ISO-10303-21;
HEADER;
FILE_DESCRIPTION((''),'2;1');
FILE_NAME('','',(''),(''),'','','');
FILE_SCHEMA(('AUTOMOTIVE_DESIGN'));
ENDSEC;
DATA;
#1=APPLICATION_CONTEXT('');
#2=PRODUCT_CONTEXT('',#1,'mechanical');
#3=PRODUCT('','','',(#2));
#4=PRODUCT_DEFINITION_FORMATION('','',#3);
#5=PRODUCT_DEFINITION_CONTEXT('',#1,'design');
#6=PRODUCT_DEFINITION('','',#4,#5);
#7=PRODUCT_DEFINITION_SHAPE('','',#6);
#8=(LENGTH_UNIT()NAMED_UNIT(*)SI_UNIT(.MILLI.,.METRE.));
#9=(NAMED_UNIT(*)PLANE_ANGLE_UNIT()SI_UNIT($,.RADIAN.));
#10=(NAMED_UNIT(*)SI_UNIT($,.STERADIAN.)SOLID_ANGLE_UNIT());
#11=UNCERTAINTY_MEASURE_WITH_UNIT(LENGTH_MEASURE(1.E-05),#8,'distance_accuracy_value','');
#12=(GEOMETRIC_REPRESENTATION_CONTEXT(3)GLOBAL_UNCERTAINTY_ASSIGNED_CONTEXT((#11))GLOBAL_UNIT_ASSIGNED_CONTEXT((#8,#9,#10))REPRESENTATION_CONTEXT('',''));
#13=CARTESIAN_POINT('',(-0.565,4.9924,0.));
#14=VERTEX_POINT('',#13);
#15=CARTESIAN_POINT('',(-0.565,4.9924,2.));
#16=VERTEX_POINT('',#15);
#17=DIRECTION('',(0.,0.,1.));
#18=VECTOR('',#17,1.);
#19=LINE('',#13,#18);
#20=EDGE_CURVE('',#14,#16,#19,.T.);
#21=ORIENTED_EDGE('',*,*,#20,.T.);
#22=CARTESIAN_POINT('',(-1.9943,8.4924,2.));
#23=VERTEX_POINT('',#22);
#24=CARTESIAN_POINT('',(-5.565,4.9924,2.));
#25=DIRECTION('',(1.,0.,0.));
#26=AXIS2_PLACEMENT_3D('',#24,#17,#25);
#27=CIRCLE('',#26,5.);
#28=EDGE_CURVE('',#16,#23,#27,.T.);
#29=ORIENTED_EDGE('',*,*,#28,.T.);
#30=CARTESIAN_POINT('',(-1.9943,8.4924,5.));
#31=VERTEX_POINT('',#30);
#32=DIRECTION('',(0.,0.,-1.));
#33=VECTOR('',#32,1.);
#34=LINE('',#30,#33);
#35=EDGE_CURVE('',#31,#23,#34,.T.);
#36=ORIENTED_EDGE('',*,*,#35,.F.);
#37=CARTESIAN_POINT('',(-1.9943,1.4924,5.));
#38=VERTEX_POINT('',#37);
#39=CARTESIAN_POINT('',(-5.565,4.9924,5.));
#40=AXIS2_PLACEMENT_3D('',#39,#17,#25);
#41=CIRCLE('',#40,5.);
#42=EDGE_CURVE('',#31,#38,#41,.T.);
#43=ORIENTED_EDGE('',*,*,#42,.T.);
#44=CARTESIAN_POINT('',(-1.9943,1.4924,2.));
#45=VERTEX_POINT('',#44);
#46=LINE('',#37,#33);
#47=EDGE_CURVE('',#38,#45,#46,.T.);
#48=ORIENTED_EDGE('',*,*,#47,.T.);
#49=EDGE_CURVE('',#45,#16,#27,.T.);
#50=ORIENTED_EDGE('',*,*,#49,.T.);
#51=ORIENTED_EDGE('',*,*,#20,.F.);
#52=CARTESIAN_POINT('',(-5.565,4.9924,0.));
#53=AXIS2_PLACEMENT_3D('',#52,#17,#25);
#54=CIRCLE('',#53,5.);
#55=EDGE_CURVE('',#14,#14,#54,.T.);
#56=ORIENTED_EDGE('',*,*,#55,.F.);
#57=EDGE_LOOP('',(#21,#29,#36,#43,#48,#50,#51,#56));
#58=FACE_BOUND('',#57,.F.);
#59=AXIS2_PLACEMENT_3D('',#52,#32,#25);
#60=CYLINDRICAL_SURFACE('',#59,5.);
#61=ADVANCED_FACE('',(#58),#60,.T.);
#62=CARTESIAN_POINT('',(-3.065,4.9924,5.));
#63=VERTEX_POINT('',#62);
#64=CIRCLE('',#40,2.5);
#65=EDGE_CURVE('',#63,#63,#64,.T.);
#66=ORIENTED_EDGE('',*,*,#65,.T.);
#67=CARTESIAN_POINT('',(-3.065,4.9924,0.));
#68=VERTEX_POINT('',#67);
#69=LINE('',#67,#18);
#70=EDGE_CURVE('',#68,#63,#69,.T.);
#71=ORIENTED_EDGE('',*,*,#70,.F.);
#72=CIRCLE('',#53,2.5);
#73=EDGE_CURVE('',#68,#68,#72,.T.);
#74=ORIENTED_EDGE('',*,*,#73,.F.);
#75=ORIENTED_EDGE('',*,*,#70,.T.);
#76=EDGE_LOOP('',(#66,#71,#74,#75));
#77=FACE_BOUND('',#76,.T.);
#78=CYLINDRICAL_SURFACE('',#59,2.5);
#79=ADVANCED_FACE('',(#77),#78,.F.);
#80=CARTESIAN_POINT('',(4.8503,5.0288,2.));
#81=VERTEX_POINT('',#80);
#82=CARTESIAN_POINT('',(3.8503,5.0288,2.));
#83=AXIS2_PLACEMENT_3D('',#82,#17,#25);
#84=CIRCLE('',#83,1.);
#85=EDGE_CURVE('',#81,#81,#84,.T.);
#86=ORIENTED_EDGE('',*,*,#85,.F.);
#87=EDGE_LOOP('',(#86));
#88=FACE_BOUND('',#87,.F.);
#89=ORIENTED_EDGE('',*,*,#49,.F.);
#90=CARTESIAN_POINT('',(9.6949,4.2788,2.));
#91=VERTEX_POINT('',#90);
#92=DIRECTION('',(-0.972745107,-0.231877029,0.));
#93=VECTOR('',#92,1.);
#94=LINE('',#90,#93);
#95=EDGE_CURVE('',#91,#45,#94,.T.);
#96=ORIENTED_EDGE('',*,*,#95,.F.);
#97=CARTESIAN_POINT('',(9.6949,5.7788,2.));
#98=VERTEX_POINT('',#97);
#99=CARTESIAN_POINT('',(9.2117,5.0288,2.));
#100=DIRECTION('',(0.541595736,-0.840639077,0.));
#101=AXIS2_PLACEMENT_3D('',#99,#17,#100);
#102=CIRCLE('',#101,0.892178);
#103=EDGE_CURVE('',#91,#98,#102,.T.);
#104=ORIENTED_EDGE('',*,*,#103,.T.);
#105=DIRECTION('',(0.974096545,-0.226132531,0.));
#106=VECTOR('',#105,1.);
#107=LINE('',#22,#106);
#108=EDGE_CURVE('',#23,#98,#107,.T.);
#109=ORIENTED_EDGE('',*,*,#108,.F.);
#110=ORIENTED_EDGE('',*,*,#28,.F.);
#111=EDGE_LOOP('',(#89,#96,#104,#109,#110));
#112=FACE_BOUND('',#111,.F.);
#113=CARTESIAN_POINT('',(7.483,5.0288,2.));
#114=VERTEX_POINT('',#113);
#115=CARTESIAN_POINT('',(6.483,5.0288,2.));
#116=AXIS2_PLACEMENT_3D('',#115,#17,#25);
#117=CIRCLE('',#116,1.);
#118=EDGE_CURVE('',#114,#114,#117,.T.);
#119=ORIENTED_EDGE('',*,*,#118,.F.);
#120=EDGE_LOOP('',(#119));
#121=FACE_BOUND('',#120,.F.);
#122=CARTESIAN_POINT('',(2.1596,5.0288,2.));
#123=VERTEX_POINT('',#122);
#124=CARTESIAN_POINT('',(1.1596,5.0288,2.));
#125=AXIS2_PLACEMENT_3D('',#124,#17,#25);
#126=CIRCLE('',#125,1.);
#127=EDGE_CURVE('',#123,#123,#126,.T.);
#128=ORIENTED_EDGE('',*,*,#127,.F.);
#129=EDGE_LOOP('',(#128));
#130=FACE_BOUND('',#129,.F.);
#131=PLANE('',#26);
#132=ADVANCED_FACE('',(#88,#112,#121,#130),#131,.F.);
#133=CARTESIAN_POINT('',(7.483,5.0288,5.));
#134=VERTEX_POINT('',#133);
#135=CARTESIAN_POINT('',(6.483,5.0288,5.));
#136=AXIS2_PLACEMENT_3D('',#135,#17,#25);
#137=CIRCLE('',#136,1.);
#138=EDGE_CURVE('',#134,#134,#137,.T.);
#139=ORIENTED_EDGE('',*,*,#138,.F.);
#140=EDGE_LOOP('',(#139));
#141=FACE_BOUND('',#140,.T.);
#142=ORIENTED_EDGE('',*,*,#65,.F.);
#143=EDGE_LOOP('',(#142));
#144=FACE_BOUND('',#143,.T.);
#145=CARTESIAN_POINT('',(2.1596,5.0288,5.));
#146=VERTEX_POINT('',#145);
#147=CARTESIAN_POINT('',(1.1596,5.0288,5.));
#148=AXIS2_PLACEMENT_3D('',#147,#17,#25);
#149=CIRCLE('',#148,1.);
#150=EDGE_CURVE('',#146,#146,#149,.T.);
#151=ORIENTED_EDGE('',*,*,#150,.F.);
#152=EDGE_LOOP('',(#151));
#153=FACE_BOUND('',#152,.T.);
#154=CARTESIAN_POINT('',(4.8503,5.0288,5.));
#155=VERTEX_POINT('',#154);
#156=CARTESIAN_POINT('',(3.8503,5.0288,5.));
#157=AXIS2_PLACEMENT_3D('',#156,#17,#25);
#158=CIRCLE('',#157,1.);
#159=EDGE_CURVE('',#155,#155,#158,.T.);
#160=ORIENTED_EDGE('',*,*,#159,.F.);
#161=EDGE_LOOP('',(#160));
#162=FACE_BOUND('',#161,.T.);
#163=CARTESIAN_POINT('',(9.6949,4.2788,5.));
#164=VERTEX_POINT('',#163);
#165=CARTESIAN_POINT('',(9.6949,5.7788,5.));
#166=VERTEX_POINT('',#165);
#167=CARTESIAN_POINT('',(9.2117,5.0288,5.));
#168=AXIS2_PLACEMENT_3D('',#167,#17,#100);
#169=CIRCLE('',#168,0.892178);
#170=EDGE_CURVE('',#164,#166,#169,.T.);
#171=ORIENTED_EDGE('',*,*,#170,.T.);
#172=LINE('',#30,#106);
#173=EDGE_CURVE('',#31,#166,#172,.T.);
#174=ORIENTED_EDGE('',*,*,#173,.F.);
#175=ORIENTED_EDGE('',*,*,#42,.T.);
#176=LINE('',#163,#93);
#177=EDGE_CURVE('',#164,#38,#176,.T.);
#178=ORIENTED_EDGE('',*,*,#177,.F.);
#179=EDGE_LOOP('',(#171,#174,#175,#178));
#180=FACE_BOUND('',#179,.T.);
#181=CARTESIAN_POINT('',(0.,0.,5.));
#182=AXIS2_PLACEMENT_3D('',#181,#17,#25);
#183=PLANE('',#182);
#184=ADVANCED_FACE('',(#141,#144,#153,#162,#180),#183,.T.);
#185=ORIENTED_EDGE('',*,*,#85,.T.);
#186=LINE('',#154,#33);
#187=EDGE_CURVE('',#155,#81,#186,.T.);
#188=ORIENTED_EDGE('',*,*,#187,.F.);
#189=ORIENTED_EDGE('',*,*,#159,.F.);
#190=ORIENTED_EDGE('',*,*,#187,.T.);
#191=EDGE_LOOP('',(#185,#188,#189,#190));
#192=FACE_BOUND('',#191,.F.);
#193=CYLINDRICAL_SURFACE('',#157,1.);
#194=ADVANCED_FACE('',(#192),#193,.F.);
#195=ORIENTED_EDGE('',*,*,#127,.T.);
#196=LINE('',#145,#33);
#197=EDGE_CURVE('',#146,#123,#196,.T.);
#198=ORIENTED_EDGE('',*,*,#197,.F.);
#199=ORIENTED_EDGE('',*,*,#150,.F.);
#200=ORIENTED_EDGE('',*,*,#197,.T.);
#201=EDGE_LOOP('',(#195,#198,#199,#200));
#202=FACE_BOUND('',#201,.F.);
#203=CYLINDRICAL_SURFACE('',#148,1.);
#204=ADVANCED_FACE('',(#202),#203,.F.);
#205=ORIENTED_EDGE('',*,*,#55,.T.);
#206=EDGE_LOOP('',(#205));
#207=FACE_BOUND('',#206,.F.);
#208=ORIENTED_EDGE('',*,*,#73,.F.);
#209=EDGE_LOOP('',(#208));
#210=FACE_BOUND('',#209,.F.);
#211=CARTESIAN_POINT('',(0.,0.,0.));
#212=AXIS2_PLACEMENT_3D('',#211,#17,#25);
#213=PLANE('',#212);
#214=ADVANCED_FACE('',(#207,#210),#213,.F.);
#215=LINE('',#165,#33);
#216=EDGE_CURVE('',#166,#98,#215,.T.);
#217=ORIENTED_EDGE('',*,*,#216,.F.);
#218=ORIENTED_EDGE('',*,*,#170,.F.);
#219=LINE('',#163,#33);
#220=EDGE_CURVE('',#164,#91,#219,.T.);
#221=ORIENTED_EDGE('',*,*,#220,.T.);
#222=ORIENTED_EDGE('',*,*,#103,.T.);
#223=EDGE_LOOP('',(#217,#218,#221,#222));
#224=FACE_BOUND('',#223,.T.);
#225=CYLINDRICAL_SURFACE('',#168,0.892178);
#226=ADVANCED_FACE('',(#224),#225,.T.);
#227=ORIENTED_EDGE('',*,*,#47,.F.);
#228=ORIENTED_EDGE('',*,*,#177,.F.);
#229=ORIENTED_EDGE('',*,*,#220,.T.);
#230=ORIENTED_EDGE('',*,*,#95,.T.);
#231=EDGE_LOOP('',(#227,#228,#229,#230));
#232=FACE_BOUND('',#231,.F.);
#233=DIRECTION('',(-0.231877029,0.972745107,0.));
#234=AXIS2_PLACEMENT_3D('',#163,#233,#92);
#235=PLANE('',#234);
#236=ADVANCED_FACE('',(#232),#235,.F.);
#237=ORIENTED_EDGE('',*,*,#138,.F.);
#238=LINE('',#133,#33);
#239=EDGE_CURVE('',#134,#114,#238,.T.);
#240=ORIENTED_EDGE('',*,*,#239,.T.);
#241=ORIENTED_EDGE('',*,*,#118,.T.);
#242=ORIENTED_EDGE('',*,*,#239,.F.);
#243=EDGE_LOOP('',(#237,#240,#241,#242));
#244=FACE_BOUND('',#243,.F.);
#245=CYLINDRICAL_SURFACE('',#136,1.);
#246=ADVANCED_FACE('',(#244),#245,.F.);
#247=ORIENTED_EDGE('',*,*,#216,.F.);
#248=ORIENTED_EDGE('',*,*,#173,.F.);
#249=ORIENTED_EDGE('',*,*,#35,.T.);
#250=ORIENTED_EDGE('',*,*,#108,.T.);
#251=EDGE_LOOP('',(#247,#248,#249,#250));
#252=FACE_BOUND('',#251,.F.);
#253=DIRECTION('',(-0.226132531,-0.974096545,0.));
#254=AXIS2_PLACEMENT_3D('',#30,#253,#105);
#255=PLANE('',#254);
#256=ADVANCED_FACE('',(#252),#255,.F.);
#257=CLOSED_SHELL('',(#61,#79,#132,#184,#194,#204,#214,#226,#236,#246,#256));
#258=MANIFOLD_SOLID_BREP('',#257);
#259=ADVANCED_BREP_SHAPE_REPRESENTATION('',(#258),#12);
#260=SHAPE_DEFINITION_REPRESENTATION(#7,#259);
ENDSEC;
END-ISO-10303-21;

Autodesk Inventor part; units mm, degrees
ref_plane "YZ Plane" through (0, 0, 0) normal (1, 0, 0) x (0, 1, 0)
ref_plane "XZ Plane" through (0, 0, 0) normal (0, 1, 0) x (-1, 0, 0)
ref_plane "XY Plane" through (0, 0, 0) normal (0, 0, 1) x (1, 0, 0)
sketch "Sketch1" plane through (0, 0, 0) normal (0, 0, 1) x (1, 0, 0)
  circle A0 centre (-5.565, 4.9924) radius 5
  circle A1 centre (-5.565, 4.9924) radius 2.5
  point P0 (0, 0)
  dimension "d0" = 10
  dimension "d1" = 5
extrude "Extrusion1" add sketch "Sketch1" along normal blind 5
sketch "Sketch2" plane through (-5.565, 4.9924, 5) normal (0, 0, 1) x (1, 0, 0)
  line L0 (3.5707, 3.5) -> (3.5707, -3.5)
  circle A0 centre (0, 0) radius 5 projected
  line L1 (3.5707, 3.5) -> (15.2599, 0.7864)
  line L2 (15.2599, -0.7136) -> (3.5707, -3.5)
  arc A1 (15.2599, -0.7136) -> (15.2599, 0.7864) centre (14.7767, 0.0364) ccw
  circle A2 centre (6.7246, 0.0364) radius 1
  circle A3 centre (9.4153, 0.0364) radius 1
  circle A4 centre (12.048, 0.0364) radius 1
  point P0 (5.565, -4.9924)
  point P1 (5, 0)
  dimension "d8" = 2
  dimension "d9" = 2
  dimension "d10" = 2
extrude "Extrusion2" add sketch "Sketch2" against normal blind 3 contours L1 A1 L2 A0
properties part number "servoarm1"
